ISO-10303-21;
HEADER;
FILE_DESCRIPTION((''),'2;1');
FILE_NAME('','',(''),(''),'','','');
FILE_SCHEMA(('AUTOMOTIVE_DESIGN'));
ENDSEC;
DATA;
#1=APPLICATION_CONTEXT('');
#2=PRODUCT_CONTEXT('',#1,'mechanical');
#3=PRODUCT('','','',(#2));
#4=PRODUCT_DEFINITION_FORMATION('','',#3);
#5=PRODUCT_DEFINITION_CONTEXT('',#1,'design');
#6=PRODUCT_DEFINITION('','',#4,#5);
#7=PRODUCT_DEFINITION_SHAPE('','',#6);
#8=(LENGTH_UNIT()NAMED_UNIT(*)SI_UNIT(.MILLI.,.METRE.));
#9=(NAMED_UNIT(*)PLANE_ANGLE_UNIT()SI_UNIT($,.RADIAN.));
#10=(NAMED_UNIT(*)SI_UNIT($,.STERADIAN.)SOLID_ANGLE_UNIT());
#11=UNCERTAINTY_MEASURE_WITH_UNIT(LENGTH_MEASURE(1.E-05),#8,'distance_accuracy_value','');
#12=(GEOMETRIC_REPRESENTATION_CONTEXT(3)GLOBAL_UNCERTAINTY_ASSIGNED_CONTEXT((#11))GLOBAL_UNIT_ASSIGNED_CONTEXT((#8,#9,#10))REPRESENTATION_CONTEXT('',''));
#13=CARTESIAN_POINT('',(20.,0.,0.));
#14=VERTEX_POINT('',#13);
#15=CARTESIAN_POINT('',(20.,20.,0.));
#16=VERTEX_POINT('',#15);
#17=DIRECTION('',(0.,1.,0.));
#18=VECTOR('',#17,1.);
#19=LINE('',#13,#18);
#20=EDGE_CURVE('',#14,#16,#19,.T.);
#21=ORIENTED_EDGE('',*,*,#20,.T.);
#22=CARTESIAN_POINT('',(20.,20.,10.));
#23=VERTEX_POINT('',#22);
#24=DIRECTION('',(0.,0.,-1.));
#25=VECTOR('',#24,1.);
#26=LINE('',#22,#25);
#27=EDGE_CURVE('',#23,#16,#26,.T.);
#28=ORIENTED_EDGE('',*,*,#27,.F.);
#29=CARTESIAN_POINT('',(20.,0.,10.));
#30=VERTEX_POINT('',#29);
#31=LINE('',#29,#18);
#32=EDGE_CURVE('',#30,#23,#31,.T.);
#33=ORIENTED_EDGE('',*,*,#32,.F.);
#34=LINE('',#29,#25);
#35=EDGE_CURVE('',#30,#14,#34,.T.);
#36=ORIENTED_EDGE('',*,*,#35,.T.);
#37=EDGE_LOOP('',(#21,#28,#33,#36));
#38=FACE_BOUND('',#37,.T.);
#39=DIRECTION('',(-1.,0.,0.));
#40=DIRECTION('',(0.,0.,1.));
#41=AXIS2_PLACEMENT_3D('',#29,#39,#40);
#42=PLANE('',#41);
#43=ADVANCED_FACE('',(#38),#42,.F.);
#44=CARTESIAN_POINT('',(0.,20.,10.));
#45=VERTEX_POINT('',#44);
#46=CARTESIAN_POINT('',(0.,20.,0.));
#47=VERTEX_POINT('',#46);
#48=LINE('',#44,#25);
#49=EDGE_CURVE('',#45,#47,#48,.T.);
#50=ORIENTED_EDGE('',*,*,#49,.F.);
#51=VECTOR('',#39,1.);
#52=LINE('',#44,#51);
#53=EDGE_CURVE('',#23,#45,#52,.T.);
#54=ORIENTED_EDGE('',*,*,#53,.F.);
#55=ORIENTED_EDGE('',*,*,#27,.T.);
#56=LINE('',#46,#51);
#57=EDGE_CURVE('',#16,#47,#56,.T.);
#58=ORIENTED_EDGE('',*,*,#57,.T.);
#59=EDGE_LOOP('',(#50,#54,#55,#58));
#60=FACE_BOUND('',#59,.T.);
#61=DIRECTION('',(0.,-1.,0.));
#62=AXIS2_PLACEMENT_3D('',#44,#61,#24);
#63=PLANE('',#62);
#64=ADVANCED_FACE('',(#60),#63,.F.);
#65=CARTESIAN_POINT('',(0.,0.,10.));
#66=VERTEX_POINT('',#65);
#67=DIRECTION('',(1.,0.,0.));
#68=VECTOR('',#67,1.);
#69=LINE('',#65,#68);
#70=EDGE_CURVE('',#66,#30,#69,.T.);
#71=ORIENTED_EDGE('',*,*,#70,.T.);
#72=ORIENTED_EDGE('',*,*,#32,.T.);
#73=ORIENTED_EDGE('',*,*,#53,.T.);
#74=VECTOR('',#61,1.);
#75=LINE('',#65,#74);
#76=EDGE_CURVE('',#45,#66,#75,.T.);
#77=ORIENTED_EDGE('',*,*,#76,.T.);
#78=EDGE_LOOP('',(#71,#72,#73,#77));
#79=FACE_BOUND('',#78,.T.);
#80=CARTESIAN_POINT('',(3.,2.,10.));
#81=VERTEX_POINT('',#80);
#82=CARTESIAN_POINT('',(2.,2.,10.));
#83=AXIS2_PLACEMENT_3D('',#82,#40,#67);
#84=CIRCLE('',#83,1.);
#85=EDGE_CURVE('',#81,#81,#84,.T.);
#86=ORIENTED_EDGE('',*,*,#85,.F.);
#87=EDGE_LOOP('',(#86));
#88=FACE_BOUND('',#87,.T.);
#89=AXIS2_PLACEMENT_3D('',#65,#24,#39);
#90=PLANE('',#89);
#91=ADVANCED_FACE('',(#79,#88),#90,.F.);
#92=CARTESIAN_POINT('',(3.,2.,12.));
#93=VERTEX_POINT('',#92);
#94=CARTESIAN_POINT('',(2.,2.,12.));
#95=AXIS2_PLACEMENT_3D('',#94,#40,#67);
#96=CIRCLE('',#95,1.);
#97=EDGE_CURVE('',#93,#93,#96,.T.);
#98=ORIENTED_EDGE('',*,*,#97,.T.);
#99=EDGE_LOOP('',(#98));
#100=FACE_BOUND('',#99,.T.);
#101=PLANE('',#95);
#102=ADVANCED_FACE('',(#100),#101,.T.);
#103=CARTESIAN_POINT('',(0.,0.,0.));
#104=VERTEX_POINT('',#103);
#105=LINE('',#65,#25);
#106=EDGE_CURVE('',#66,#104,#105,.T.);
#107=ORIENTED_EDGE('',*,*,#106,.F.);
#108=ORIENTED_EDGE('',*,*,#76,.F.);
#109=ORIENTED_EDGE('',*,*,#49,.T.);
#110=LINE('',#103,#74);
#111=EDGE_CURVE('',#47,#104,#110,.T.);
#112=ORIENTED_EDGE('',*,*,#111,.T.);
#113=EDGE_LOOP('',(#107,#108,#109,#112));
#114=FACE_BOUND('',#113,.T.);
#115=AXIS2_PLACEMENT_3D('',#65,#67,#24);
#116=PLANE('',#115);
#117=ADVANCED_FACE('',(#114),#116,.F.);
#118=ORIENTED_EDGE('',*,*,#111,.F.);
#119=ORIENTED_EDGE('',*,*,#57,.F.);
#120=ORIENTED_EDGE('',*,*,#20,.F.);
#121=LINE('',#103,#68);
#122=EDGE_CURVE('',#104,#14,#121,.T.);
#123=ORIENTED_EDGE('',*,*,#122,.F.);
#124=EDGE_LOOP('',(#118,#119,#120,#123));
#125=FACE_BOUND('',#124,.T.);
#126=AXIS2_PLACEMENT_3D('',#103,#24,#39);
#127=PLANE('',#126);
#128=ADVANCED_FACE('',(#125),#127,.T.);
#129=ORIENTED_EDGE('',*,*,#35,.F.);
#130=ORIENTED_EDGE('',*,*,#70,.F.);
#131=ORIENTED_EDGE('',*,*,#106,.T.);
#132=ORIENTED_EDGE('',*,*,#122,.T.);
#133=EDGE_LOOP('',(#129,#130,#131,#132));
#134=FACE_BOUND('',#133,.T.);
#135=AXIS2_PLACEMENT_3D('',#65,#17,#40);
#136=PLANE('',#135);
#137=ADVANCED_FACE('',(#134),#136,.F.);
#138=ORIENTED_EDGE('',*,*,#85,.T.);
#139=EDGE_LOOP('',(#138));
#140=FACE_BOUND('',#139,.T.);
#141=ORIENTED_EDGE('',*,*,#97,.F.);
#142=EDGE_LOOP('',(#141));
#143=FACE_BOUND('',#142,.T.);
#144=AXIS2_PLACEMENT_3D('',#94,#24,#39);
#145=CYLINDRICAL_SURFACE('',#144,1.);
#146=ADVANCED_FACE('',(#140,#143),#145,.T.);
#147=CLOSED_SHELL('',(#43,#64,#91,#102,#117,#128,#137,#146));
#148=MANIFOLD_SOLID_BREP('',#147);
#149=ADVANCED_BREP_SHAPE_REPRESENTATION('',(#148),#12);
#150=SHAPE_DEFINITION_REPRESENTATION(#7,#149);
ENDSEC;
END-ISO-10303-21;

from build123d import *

# Parameters (mm, degrees)
SKETCH_1_W     = 20
SKETCH_1_H     = 20
BASEBOX_DEPTH  = 10
SKETCH_2_R     = 1
BOSSSEED_DEPTH = 2


with BuildPart() as part:
    # 草图1 → BaseBox (new body)
    with BuildSketch(Plane.XY):
        with Locations((10, 10)):
            Rectangle(SKETCH_1_W, SKETCH_1_H)
    extrude(amount=BASEBOX_DEPTH)

    # 草图2 → BossSeed (add)
    with BuildSketch(Plane.XY.offset(10)):
        with Locations((2, 2)):
            Circle(SKETCH_2_R)
    extrude(amount=BOSSSEED_DEPTH)


solid = part.part
